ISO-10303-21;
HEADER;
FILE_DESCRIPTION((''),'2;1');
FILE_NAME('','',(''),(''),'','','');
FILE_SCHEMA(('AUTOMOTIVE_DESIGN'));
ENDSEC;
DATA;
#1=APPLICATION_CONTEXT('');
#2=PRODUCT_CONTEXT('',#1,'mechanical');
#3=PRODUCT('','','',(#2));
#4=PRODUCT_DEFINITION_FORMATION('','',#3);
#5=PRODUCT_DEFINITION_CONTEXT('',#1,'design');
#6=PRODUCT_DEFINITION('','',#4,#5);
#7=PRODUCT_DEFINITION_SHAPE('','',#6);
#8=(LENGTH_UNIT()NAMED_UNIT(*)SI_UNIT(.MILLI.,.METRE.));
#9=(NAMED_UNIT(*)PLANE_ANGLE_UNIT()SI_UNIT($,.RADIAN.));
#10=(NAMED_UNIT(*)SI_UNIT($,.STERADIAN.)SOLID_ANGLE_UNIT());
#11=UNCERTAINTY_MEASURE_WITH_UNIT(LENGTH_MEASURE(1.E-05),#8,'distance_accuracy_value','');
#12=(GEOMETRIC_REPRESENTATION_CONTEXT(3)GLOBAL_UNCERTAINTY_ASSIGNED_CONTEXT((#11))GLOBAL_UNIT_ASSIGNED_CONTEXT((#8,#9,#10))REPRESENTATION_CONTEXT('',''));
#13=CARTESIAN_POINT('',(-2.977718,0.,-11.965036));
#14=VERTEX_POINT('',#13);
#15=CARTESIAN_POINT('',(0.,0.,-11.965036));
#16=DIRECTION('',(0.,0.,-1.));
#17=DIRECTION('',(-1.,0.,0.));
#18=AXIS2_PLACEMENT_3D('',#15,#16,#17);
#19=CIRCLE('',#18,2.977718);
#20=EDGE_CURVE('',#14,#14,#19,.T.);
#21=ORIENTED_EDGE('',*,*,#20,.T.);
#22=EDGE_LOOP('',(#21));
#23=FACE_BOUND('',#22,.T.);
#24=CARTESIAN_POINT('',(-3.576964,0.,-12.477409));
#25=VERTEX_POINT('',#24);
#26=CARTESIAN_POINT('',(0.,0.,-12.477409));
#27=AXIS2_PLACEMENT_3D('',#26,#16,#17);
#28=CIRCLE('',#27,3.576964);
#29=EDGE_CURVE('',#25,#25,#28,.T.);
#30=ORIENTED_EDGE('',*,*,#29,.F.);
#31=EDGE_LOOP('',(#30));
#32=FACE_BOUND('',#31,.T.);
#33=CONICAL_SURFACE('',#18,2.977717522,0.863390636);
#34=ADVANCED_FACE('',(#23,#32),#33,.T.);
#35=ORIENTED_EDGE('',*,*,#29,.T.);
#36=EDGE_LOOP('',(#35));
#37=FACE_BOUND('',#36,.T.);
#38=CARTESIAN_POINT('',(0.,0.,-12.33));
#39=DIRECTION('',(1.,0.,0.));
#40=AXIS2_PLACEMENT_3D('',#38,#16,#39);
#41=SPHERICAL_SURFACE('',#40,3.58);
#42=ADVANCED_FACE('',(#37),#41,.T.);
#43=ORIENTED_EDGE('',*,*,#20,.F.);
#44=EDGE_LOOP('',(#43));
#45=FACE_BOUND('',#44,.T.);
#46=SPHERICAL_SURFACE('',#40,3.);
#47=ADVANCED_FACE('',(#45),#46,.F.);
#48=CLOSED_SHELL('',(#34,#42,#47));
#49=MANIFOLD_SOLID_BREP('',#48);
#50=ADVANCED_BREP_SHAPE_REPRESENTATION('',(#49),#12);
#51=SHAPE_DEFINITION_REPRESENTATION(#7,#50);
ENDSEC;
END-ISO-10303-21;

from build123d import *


with BuildPart() as part:
    # Sketch1 → Revolve1 (revolve)
    with BuildSketch(Plane(origin=(0, 0, 0), x_dir=(1, 0, 0), z_dir=(0, 1, 0))):
        with BuildLine():
            Line((2.977717522, 11.965036496), (3.576963888, 12.477408759))
            ThreePointArc((3.576963888, 12.477408759), (2.478777586, 14.913033426), (0, 15.91))
            Line((0, 15.91), (0, 15.33))
            ThreePointArc((0, 15.33), (2.24665201, 14.318103303), (2.977717522, 11.965036496))
        make_face()
    revolve(axis=Axis((0, 0, -16.260021103), (0, 0, 1)))


solid = part.part
